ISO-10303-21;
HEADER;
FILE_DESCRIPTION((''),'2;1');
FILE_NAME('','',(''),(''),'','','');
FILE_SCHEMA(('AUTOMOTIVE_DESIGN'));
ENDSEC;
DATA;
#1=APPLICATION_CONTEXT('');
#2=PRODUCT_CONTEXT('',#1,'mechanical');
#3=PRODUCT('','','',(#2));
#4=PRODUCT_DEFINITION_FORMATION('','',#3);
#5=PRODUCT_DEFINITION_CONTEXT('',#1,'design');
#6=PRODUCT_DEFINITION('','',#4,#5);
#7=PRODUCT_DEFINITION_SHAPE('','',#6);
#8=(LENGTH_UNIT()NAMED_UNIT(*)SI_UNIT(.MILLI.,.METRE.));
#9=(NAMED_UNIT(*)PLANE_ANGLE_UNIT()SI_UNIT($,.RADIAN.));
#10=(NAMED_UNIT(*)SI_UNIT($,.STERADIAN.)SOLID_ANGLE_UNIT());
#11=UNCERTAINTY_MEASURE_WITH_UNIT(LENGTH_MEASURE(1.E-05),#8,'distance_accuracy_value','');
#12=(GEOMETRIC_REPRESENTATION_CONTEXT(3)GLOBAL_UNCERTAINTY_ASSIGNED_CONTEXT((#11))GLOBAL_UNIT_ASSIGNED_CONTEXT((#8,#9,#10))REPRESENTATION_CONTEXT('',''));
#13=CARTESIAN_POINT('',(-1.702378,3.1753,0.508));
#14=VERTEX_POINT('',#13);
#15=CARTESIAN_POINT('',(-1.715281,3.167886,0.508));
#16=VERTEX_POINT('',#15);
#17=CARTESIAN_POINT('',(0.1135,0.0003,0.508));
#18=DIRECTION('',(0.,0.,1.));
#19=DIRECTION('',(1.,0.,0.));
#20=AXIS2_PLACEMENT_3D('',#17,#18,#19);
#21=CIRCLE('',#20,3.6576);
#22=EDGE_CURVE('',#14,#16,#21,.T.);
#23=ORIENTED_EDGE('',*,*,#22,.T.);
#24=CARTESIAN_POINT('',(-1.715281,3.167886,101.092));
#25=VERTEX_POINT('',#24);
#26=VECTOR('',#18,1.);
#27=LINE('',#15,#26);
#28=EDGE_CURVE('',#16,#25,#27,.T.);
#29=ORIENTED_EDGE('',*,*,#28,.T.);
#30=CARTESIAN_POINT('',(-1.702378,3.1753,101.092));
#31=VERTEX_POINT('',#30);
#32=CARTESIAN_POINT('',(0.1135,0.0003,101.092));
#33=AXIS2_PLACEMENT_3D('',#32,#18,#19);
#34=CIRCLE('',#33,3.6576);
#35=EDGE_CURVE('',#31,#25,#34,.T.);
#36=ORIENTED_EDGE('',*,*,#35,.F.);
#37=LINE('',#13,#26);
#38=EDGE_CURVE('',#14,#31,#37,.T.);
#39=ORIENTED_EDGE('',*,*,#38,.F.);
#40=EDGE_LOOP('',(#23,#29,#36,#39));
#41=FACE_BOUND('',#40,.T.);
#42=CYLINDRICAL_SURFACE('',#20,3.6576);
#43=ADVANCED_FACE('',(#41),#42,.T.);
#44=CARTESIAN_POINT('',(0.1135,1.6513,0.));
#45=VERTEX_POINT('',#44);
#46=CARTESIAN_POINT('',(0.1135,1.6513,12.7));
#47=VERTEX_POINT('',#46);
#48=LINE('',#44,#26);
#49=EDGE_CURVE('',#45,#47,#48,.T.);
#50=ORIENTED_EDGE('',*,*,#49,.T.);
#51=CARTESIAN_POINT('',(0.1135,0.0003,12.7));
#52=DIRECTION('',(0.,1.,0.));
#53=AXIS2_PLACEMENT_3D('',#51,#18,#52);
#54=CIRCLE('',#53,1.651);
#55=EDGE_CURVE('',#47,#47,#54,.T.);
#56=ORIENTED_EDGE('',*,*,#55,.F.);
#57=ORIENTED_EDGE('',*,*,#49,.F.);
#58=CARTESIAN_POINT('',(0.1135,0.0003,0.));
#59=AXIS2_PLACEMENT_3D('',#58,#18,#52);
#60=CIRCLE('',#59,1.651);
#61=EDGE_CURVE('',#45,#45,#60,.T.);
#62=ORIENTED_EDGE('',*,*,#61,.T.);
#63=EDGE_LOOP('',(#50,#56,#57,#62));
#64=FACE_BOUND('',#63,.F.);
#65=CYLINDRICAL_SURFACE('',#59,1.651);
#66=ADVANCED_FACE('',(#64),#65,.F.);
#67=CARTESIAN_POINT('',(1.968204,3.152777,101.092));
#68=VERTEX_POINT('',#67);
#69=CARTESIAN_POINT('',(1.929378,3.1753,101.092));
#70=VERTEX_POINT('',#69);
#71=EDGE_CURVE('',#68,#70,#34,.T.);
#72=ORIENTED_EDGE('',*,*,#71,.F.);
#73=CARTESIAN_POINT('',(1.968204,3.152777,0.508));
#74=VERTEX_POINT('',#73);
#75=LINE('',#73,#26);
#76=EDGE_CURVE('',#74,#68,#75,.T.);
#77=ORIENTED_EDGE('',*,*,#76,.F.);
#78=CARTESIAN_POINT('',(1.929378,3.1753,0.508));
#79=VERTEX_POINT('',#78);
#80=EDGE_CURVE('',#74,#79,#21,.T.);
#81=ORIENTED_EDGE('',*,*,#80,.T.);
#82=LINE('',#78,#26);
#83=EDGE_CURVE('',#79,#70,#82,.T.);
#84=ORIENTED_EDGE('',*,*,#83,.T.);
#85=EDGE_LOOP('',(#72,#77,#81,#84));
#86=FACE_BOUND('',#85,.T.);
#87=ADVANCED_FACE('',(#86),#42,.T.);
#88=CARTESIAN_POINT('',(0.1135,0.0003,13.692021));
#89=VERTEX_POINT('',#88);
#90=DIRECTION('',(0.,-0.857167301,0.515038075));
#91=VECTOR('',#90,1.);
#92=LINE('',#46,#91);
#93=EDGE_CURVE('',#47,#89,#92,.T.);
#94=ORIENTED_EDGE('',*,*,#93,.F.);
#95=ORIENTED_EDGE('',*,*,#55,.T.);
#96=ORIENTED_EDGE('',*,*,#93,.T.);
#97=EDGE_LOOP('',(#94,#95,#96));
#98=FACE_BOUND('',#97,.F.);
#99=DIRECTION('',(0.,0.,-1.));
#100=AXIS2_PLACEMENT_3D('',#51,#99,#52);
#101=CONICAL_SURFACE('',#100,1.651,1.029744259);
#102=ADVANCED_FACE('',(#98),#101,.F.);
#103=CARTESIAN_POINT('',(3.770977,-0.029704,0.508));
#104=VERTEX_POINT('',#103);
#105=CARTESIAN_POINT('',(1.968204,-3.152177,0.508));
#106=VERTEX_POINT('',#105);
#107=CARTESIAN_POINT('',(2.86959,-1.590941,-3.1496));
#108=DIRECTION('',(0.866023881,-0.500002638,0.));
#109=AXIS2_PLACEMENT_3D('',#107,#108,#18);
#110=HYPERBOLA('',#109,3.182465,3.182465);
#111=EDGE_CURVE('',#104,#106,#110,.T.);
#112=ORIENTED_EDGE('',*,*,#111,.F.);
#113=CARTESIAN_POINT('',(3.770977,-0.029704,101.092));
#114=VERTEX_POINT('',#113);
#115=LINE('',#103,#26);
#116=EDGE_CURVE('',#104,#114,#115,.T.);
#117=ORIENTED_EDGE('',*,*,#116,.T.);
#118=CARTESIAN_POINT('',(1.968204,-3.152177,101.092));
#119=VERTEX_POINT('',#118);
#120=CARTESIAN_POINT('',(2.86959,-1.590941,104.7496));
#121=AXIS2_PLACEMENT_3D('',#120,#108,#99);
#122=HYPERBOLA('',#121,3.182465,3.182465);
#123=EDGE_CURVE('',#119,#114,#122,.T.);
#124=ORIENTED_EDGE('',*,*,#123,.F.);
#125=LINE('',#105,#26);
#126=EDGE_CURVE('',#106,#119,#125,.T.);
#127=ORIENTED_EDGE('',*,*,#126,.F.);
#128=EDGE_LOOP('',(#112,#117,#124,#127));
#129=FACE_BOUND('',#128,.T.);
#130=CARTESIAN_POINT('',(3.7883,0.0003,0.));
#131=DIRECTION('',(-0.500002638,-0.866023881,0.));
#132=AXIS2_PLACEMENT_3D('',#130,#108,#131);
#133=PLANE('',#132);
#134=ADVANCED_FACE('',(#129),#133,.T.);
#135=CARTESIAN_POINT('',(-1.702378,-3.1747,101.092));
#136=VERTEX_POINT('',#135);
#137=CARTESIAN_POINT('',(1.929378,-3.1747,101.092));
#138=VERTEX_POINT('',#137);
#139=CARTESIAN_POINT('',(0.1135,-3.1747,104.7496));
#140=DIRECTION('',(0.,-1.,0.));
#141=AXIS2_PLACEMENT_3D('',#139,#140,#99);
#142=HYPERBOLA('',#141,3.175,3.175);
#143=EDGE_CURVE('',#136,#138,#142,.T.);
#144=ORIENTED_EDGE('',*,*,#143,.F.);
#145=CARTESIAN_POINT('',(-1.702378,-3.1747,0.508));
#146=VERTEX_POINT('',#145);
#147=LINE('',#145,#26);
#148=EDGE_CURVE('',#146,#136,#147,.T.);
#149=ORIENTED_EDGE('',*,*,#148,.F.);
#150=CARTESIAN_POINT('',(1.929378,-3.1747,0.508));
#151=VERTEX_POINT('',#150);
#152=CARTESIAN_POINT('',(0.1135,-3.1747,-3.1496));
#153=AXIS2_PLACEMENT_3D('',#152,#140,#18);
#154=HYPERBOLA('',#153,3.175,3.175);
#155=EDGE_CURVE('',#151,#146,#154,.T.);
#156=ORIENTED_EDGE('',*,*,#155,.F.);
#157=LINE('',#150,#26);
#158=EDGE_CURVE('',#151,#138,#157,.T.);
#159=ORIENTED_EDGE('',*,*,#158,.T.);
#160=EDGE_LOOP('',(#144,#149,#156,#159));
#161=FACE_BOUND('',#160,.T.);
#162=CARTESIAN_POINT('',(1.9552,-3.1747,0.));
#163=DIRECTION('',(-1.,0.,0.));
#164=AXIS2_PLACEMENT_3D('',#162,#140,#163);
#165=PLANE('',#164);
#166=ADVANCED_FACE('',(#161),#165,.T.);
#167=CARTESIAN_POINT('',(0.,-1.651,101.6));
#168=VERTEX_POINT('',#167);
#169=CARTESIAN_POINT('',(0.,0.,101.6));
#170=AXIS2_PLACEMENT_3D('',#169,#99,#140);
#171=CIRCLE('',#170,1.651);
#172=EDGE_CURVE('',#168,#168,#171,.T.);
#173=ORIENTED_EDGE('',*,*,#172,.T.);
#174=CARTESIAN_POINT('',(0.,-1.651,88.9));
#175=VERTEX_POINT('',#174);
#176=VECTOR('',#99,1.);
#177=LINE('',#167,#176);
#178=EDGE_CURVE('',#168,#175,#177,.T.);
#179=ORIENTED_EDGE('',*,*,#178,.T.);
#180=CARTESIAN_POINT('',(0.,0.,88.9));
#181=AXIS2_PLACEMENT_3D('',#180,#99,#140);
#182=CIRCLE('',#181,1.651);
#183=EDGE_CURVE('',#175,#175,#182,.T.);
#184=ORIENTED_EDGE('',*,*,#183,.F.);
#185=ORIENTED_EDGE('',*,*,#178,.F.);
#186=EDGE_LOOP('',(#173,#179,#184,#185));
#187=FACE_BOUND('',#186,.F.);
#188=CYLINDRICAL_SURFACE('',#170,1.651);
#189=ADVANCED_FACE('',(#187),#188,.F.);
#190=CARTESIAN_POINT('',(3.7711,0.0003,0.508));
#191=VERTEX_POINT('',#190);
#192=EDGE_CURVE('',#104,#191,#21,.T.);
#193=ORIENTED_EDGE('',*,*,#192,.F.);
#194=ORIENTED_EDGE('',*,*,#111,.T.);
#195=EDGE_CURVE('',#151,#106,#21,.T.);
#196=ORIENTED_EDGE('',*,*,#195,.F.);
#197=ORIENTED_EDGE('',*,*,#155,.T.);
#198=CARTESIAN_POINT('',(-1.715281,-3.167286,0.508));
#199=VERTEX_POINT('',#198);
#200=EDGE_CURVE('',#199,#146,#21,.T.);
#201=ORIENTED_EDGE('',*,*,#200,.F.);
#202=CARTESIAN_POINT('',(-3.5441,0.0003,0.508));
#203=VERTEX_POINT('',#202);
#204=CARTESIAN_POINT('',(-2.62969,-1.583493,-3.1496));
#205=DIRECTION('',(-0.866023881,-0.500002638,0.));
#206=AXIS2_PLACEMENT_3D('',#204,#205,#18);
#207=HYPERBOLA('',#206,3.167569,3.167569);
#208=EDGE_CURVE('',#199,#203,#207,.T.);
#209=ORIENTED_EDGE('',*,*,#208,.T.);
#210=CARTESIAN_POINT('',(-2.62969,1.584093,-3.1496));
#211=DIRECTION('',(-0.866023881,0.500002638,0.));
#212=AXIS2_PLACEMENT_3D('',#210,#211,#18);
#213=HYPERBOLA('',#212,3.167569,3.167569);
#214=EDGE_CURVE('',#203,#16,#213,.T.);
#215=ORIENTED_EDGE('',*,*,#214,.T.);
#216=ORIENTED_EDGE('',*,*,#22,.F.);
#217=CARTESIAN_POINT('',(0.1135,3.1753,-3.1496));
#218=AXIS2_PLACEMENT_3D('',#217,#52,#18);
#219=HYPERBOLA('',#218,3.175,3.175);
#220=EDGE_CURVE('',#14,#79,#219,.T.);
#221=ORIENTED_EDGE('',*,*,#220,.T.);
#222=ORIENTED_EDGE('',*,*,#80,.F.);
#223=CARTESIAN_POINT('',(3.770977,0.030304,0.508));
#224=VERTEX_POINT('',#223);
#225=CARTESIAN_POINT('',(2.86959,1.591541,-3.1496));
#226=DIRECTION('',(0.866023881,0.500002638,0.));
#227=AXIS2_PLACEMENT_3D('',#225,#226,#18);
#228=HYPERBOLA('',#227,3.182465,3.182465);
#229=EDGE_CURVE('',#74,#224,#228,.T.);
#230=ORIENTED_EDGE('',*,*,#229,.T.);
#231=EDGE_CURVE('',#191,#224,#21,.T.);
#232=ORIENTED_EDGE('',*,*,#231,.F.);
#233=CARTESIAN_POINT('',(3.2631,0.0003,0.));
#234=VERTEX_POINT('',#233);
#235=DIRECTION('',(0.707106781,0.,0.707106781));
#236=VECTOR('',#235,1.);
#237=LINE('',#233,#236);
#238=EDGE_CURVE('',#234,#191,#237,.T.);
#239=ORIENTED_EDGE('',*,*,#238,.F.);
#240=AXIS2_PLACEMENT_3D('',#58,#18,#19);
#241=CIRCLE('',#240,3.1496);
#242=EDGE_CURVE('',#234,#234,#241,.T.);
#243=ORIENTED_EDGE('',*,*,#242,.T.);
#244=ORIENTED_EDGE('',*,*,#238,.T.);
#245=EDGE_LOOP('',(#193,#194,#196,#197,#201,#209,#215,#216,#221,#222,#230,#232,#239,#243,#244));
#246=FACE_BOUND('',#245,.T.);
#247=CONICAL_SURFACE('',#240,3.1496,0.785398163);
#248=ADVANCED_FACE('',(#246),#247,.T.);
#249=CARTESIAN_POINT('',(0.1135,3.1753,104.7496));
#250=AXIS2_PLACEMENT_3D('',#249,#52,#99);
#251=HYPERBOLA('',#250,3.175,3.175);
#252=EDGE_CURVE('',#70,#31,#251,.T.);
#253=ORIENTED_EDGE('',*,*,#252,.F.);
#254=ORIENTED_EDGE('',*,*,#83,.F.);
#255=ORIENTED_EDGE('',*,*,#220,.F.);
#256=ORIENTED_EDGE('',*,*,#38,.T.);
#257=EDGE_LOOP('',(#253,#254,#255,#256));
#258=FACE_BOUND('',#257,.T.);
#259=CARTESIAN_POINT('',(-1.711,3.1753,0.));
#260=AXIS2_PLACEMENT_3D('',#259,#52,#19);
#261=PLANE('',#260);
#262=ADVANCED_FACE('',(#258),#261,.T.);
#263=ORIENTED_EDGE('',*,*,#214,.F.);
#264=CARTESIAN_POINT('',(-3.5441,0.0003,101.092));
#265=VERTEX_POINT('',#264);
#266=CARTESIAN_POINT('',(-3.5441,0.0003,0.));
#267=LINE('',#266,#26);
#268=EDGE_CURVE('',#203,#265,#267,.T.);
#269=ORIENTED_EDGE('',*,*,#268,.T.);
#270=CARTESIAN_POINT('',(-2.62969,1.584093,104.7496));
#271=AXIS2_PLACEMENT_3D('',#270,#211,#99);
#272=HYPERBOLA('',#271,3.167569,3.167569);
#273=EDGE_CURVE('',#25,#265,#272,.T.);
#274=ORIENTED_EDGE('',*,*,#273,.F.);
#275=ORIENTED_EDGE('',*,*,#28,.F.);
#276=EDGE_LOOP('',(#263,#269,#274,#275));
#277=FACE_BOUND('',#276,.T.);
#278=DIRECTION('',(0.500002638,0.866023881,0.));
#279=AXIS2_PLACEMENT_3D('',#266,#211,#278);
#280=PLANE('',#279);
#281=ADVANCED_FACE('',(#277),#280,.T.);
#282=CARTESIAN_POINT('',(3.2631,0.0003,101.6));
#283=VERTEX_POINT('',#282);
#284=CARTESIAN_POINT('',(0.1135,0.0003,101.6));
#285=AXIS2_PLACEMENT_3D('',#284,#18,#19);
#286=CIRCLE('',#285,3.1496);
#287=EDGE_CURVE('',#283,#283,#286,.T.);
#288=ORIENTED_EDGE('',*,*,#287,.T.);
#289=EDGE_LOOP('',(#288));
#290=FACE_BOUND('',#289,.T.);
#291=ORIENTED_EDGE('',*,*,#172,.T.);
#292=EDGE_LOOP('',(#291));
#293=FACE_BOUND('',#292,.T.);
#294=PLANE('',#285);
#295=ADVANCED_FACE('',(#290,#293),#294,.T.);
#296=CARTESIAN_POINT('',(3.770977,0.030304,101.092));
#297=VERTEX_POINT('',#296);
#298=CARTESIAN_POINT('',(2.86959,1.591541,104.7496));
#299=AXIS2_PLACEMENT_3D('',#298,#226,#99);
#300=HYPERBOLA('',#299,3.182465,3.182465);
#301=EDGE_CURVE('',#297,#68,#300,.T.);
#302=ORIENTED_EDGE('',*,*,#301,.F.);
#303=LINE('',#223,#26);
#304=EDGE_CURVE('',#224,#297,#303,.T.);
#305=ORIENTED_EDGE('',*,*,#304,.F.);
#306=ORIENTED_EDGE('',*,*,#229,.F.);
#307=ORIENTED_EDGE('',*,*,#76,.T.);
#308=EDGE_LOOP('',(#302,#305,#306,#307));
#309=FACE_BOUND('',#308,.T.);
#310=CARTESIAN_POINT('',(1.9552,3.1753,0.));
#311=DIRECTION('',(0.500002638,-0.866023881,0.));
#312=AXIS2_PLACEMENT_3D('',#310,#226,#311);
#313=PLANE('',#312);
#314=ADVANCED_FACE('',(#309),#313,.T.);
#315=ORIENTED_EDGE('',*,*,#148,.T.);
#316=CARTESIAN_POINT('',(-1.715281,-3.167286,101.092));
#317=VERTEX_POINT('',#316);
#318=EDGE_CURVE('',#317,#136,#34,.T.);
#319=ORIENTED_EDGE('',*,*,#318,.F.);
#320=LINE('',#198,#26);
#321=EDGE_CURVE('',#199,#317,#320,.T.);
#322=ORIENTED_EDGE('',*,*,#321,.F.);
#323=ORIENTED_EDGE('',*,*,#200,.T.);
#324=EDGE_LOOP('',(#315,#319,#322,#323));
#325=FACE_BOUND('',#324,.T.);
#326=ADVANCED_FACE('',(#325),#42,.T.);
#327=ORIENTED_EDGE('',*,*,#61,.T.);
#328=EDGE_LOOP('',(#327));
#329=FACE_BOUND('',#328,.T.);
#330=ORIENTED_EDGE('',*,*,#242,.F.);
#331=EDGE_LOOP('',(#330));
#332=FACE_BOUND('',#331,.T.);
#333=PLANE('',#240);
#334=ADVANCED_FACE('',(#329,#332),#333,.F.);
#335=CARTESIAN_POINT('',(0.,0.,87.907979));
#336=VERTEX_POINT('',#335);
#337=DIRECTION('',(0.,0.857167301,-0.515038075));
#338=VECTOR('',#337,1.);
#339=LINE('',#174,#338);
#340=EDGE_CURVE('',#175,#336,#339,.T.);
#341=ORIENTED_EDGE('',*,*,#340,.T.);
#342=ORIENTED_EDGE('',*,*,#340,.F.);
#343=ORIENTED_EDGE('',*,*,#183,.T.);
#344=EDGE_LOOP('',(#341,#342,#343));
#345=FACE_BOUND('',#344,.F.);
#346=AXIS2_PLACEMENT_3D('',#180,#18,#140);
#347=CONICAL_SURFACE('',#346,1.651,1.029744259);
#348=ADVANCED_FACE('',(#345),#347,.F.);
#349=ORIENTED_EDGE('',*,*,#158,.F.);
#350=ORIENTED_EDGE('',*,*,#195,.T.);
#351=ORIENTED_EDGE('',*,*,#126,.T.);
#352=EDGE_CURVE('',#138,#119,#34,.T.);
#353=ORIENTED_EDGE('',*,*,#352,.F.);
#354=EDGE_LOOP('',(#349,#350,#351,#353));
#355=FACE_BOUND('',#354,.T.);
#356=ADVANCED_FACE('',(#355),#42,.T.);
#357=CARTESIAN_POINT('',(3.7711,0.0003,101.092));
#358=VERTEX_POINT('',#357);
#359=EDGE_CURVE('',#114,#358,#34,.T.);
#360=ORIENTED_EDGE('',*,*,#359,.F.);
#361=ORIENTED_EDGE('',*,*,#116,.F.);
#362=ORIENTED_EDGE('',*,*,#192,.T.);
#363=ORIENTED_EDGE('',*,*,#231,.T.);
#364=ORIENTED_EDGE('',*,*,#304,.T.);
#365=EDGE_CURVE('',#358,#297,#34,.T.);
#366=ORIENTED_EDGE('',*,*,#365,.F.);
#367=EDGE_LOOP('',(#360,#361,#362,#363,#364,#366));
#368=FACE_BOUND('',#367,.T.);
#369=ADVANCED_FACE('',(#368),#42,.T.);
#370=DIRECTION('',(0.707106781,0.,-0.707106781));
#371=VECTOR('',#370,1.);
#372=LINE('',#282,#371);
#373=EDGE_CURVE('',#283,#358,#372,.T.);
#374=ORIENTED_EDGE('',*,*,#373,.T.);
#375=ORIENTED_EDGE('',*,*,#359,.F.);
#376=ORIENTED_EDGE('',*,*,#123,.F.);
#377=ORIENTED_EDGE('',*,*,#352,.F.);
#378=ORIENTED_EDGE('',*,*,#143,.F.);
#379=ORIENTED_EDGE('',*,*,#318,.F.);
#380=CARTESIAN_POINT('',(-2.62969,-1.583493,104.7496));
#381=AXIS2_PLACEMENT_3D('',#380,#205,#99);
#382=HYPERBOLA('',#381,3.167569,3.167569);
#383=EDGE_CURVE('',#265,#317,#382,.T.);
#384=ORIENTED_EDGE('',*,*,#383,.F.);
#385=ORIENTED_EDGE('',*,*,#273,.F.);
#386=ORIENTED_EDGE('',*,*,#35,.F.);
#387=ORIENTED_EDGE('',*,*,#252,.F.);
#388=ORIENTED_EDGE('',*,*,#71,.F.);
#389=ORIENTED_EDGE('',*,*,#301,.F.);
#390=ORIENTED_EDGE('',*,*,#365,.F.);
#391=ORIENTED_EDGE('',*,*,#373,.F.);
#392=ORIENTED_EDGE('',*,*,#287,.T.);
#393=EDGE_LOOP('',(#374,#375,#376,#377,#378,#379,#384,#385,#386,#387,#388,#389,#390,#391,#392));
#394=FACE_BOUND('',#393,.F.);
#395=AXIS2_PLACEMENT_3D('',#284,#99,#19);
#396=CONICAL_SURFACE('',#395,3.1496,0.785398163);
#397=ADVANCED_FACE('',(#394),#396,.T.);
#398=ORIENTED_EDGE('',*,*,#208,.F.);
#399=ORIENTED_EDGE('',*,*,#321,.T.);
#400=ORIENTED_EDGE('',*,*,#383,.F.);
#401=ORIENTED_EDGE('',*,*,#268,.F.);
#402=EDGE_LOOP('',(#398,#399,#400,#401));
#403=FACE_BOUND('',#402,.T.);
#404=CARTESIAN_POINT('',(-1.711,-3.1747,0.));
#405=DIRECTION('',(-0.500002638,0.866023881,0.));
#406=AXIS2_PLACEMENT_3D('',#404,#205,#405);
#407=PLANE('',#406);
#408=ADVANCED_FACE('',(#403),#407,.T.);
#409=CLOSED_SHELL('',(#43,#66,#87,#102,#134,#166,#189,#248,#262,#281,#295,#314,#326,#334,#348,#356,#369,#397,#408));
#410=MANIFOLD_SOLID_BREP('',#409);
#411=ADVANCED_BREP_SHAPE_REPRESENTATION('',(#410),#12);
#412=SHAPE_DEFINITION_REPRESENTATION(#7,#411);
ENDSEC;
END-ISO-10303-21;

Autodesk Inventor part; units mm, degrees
ref_plane "YZ Plane" through (0, 0, 0) normal (1, 0, 0) x (0, 1, 0)
sketch "Sketch1" plane through (0, 0, 0) normal (0, 0, 1) x (1, 0, 0)
  line L0 (1.9552, -3.1747) -> (-1.711, -3.1747)
  line L1 (-1.711, -3.1747) -> (-3.5441, 0.0003)
  line L2 (-3.5441, 0.0003) -> (-1.711, 3.1753)
  line L3 (-1.711, 3.1753) -> (1.9552, 3.1753)
  line L4 (1.9552, 3.1753) -> (3.7883, 0.0003)
  line L5 (3.7883, 0.0003) -> (1.9552, -3.1747)
  point P0 (0.1221, 0.0003)
  dimension "d0" = 6.35
extrude "Extrusion1" add sketch "Sketch1" along normal blind 101.6
ref_plane "Work Plane1" through (-1.711, 0.0003, 0) normal (0, 1, 0) x (1, 0, 0)
sketch "Sketch3" plane through (-1.711, 0.0003, 0) normal (0, 1, 0) x (1, 0, 0)
  line L0 (-1.3251, 0) -> (4.9741, 0)
  line L1 (5.4821, -0.508) -> (5.4821, -101.092)
  line L2 (-1.8331, -101.092) -> (-1.8331, -0.508)
  line L3 (-1.8331, -0.508) -> (-1.3251, 0)
  line L4 (4.9741, 0) -> (5.4821, -0.508)
  line L5 (-1.8331, 0) -> (-1.8331, -101.6) projected
  line L6 (3.6662, 0) -> (5.4993, 0) projected
  line L7 (1.8245, 0) -> (1.8245, -101.6)
  line L8 (0, -101.6) -> (-1.8331, -101.6) projected
  line L9 (5.4993, -101.6) -> (3.6662, -101.6) projected
  line L10 (3.6662, -101.6) -> (0, -101.6) projected
  line L11 (-1.3251, -101.6) -> (-1.8331, -101.092)
  line L12 (4.9741, -101.6) -> (5.4821, -101.092)
  point P0 (-1.8331, 0)
  point P1 (5.4821, 0)
  point P2 (5.4821, -101.6)
  dimension "d5" = 0.508
  dimension "d6" = 0.508
  dimension "d7" = 0.508
  dimension "d8" = 0.508
  dimension "d16" = 0
  dimension "d46" = 0.508
  dimension "d47" = 0.508
  dimension "d48" = 0.508
  dimension "d49" = 0.508
revolve "Revolution1" cut sketch "Sketch3" angle 360 about axis through (0.1135, 0.0003, 0) along (0, 0, 1) keep common part contours L0 L4 L1 L12 L9 L10 L7
sketch "Sketch6" plane through (0.1135, 0.0003, 0) normal (0, 0, -1) x (-1, 0, 0)
  circle A0 centre (0, 0) radius 3.1496 projected
hole "Hole3" at (0.1135, 0.0003, 0) direction (0, 0, 1) diameter 3.302 depth 12.7 tip angle 118 thread size "8-32 UNC" class "2B" standard "ANSI Unified Screw Threads"
sketch "Sketch7" plane through (0, 0, 101.6) normal (0, 0, 1) x (1, 0, 0)
  point P0 (0, 0)
hole "Hole4" at (0, 0, 101.6) direction (0, 0, -1) diameter 3.302 depth 12.7 tip angle 118 thread size "8-32 UNC" class "2B" standard "ANSI Unified Screw Threads"
ref_plane "Work Plane2" through (0.1135, 0.0003, 50.8) normal (0, 0, -1) x (-1, 0, 0)
equation "\"d6\" = d5"
equation "\"d7\" = d5"
equation "\"d8\" = d7"
properties part number "4 inch Standoff" material "Steel"
